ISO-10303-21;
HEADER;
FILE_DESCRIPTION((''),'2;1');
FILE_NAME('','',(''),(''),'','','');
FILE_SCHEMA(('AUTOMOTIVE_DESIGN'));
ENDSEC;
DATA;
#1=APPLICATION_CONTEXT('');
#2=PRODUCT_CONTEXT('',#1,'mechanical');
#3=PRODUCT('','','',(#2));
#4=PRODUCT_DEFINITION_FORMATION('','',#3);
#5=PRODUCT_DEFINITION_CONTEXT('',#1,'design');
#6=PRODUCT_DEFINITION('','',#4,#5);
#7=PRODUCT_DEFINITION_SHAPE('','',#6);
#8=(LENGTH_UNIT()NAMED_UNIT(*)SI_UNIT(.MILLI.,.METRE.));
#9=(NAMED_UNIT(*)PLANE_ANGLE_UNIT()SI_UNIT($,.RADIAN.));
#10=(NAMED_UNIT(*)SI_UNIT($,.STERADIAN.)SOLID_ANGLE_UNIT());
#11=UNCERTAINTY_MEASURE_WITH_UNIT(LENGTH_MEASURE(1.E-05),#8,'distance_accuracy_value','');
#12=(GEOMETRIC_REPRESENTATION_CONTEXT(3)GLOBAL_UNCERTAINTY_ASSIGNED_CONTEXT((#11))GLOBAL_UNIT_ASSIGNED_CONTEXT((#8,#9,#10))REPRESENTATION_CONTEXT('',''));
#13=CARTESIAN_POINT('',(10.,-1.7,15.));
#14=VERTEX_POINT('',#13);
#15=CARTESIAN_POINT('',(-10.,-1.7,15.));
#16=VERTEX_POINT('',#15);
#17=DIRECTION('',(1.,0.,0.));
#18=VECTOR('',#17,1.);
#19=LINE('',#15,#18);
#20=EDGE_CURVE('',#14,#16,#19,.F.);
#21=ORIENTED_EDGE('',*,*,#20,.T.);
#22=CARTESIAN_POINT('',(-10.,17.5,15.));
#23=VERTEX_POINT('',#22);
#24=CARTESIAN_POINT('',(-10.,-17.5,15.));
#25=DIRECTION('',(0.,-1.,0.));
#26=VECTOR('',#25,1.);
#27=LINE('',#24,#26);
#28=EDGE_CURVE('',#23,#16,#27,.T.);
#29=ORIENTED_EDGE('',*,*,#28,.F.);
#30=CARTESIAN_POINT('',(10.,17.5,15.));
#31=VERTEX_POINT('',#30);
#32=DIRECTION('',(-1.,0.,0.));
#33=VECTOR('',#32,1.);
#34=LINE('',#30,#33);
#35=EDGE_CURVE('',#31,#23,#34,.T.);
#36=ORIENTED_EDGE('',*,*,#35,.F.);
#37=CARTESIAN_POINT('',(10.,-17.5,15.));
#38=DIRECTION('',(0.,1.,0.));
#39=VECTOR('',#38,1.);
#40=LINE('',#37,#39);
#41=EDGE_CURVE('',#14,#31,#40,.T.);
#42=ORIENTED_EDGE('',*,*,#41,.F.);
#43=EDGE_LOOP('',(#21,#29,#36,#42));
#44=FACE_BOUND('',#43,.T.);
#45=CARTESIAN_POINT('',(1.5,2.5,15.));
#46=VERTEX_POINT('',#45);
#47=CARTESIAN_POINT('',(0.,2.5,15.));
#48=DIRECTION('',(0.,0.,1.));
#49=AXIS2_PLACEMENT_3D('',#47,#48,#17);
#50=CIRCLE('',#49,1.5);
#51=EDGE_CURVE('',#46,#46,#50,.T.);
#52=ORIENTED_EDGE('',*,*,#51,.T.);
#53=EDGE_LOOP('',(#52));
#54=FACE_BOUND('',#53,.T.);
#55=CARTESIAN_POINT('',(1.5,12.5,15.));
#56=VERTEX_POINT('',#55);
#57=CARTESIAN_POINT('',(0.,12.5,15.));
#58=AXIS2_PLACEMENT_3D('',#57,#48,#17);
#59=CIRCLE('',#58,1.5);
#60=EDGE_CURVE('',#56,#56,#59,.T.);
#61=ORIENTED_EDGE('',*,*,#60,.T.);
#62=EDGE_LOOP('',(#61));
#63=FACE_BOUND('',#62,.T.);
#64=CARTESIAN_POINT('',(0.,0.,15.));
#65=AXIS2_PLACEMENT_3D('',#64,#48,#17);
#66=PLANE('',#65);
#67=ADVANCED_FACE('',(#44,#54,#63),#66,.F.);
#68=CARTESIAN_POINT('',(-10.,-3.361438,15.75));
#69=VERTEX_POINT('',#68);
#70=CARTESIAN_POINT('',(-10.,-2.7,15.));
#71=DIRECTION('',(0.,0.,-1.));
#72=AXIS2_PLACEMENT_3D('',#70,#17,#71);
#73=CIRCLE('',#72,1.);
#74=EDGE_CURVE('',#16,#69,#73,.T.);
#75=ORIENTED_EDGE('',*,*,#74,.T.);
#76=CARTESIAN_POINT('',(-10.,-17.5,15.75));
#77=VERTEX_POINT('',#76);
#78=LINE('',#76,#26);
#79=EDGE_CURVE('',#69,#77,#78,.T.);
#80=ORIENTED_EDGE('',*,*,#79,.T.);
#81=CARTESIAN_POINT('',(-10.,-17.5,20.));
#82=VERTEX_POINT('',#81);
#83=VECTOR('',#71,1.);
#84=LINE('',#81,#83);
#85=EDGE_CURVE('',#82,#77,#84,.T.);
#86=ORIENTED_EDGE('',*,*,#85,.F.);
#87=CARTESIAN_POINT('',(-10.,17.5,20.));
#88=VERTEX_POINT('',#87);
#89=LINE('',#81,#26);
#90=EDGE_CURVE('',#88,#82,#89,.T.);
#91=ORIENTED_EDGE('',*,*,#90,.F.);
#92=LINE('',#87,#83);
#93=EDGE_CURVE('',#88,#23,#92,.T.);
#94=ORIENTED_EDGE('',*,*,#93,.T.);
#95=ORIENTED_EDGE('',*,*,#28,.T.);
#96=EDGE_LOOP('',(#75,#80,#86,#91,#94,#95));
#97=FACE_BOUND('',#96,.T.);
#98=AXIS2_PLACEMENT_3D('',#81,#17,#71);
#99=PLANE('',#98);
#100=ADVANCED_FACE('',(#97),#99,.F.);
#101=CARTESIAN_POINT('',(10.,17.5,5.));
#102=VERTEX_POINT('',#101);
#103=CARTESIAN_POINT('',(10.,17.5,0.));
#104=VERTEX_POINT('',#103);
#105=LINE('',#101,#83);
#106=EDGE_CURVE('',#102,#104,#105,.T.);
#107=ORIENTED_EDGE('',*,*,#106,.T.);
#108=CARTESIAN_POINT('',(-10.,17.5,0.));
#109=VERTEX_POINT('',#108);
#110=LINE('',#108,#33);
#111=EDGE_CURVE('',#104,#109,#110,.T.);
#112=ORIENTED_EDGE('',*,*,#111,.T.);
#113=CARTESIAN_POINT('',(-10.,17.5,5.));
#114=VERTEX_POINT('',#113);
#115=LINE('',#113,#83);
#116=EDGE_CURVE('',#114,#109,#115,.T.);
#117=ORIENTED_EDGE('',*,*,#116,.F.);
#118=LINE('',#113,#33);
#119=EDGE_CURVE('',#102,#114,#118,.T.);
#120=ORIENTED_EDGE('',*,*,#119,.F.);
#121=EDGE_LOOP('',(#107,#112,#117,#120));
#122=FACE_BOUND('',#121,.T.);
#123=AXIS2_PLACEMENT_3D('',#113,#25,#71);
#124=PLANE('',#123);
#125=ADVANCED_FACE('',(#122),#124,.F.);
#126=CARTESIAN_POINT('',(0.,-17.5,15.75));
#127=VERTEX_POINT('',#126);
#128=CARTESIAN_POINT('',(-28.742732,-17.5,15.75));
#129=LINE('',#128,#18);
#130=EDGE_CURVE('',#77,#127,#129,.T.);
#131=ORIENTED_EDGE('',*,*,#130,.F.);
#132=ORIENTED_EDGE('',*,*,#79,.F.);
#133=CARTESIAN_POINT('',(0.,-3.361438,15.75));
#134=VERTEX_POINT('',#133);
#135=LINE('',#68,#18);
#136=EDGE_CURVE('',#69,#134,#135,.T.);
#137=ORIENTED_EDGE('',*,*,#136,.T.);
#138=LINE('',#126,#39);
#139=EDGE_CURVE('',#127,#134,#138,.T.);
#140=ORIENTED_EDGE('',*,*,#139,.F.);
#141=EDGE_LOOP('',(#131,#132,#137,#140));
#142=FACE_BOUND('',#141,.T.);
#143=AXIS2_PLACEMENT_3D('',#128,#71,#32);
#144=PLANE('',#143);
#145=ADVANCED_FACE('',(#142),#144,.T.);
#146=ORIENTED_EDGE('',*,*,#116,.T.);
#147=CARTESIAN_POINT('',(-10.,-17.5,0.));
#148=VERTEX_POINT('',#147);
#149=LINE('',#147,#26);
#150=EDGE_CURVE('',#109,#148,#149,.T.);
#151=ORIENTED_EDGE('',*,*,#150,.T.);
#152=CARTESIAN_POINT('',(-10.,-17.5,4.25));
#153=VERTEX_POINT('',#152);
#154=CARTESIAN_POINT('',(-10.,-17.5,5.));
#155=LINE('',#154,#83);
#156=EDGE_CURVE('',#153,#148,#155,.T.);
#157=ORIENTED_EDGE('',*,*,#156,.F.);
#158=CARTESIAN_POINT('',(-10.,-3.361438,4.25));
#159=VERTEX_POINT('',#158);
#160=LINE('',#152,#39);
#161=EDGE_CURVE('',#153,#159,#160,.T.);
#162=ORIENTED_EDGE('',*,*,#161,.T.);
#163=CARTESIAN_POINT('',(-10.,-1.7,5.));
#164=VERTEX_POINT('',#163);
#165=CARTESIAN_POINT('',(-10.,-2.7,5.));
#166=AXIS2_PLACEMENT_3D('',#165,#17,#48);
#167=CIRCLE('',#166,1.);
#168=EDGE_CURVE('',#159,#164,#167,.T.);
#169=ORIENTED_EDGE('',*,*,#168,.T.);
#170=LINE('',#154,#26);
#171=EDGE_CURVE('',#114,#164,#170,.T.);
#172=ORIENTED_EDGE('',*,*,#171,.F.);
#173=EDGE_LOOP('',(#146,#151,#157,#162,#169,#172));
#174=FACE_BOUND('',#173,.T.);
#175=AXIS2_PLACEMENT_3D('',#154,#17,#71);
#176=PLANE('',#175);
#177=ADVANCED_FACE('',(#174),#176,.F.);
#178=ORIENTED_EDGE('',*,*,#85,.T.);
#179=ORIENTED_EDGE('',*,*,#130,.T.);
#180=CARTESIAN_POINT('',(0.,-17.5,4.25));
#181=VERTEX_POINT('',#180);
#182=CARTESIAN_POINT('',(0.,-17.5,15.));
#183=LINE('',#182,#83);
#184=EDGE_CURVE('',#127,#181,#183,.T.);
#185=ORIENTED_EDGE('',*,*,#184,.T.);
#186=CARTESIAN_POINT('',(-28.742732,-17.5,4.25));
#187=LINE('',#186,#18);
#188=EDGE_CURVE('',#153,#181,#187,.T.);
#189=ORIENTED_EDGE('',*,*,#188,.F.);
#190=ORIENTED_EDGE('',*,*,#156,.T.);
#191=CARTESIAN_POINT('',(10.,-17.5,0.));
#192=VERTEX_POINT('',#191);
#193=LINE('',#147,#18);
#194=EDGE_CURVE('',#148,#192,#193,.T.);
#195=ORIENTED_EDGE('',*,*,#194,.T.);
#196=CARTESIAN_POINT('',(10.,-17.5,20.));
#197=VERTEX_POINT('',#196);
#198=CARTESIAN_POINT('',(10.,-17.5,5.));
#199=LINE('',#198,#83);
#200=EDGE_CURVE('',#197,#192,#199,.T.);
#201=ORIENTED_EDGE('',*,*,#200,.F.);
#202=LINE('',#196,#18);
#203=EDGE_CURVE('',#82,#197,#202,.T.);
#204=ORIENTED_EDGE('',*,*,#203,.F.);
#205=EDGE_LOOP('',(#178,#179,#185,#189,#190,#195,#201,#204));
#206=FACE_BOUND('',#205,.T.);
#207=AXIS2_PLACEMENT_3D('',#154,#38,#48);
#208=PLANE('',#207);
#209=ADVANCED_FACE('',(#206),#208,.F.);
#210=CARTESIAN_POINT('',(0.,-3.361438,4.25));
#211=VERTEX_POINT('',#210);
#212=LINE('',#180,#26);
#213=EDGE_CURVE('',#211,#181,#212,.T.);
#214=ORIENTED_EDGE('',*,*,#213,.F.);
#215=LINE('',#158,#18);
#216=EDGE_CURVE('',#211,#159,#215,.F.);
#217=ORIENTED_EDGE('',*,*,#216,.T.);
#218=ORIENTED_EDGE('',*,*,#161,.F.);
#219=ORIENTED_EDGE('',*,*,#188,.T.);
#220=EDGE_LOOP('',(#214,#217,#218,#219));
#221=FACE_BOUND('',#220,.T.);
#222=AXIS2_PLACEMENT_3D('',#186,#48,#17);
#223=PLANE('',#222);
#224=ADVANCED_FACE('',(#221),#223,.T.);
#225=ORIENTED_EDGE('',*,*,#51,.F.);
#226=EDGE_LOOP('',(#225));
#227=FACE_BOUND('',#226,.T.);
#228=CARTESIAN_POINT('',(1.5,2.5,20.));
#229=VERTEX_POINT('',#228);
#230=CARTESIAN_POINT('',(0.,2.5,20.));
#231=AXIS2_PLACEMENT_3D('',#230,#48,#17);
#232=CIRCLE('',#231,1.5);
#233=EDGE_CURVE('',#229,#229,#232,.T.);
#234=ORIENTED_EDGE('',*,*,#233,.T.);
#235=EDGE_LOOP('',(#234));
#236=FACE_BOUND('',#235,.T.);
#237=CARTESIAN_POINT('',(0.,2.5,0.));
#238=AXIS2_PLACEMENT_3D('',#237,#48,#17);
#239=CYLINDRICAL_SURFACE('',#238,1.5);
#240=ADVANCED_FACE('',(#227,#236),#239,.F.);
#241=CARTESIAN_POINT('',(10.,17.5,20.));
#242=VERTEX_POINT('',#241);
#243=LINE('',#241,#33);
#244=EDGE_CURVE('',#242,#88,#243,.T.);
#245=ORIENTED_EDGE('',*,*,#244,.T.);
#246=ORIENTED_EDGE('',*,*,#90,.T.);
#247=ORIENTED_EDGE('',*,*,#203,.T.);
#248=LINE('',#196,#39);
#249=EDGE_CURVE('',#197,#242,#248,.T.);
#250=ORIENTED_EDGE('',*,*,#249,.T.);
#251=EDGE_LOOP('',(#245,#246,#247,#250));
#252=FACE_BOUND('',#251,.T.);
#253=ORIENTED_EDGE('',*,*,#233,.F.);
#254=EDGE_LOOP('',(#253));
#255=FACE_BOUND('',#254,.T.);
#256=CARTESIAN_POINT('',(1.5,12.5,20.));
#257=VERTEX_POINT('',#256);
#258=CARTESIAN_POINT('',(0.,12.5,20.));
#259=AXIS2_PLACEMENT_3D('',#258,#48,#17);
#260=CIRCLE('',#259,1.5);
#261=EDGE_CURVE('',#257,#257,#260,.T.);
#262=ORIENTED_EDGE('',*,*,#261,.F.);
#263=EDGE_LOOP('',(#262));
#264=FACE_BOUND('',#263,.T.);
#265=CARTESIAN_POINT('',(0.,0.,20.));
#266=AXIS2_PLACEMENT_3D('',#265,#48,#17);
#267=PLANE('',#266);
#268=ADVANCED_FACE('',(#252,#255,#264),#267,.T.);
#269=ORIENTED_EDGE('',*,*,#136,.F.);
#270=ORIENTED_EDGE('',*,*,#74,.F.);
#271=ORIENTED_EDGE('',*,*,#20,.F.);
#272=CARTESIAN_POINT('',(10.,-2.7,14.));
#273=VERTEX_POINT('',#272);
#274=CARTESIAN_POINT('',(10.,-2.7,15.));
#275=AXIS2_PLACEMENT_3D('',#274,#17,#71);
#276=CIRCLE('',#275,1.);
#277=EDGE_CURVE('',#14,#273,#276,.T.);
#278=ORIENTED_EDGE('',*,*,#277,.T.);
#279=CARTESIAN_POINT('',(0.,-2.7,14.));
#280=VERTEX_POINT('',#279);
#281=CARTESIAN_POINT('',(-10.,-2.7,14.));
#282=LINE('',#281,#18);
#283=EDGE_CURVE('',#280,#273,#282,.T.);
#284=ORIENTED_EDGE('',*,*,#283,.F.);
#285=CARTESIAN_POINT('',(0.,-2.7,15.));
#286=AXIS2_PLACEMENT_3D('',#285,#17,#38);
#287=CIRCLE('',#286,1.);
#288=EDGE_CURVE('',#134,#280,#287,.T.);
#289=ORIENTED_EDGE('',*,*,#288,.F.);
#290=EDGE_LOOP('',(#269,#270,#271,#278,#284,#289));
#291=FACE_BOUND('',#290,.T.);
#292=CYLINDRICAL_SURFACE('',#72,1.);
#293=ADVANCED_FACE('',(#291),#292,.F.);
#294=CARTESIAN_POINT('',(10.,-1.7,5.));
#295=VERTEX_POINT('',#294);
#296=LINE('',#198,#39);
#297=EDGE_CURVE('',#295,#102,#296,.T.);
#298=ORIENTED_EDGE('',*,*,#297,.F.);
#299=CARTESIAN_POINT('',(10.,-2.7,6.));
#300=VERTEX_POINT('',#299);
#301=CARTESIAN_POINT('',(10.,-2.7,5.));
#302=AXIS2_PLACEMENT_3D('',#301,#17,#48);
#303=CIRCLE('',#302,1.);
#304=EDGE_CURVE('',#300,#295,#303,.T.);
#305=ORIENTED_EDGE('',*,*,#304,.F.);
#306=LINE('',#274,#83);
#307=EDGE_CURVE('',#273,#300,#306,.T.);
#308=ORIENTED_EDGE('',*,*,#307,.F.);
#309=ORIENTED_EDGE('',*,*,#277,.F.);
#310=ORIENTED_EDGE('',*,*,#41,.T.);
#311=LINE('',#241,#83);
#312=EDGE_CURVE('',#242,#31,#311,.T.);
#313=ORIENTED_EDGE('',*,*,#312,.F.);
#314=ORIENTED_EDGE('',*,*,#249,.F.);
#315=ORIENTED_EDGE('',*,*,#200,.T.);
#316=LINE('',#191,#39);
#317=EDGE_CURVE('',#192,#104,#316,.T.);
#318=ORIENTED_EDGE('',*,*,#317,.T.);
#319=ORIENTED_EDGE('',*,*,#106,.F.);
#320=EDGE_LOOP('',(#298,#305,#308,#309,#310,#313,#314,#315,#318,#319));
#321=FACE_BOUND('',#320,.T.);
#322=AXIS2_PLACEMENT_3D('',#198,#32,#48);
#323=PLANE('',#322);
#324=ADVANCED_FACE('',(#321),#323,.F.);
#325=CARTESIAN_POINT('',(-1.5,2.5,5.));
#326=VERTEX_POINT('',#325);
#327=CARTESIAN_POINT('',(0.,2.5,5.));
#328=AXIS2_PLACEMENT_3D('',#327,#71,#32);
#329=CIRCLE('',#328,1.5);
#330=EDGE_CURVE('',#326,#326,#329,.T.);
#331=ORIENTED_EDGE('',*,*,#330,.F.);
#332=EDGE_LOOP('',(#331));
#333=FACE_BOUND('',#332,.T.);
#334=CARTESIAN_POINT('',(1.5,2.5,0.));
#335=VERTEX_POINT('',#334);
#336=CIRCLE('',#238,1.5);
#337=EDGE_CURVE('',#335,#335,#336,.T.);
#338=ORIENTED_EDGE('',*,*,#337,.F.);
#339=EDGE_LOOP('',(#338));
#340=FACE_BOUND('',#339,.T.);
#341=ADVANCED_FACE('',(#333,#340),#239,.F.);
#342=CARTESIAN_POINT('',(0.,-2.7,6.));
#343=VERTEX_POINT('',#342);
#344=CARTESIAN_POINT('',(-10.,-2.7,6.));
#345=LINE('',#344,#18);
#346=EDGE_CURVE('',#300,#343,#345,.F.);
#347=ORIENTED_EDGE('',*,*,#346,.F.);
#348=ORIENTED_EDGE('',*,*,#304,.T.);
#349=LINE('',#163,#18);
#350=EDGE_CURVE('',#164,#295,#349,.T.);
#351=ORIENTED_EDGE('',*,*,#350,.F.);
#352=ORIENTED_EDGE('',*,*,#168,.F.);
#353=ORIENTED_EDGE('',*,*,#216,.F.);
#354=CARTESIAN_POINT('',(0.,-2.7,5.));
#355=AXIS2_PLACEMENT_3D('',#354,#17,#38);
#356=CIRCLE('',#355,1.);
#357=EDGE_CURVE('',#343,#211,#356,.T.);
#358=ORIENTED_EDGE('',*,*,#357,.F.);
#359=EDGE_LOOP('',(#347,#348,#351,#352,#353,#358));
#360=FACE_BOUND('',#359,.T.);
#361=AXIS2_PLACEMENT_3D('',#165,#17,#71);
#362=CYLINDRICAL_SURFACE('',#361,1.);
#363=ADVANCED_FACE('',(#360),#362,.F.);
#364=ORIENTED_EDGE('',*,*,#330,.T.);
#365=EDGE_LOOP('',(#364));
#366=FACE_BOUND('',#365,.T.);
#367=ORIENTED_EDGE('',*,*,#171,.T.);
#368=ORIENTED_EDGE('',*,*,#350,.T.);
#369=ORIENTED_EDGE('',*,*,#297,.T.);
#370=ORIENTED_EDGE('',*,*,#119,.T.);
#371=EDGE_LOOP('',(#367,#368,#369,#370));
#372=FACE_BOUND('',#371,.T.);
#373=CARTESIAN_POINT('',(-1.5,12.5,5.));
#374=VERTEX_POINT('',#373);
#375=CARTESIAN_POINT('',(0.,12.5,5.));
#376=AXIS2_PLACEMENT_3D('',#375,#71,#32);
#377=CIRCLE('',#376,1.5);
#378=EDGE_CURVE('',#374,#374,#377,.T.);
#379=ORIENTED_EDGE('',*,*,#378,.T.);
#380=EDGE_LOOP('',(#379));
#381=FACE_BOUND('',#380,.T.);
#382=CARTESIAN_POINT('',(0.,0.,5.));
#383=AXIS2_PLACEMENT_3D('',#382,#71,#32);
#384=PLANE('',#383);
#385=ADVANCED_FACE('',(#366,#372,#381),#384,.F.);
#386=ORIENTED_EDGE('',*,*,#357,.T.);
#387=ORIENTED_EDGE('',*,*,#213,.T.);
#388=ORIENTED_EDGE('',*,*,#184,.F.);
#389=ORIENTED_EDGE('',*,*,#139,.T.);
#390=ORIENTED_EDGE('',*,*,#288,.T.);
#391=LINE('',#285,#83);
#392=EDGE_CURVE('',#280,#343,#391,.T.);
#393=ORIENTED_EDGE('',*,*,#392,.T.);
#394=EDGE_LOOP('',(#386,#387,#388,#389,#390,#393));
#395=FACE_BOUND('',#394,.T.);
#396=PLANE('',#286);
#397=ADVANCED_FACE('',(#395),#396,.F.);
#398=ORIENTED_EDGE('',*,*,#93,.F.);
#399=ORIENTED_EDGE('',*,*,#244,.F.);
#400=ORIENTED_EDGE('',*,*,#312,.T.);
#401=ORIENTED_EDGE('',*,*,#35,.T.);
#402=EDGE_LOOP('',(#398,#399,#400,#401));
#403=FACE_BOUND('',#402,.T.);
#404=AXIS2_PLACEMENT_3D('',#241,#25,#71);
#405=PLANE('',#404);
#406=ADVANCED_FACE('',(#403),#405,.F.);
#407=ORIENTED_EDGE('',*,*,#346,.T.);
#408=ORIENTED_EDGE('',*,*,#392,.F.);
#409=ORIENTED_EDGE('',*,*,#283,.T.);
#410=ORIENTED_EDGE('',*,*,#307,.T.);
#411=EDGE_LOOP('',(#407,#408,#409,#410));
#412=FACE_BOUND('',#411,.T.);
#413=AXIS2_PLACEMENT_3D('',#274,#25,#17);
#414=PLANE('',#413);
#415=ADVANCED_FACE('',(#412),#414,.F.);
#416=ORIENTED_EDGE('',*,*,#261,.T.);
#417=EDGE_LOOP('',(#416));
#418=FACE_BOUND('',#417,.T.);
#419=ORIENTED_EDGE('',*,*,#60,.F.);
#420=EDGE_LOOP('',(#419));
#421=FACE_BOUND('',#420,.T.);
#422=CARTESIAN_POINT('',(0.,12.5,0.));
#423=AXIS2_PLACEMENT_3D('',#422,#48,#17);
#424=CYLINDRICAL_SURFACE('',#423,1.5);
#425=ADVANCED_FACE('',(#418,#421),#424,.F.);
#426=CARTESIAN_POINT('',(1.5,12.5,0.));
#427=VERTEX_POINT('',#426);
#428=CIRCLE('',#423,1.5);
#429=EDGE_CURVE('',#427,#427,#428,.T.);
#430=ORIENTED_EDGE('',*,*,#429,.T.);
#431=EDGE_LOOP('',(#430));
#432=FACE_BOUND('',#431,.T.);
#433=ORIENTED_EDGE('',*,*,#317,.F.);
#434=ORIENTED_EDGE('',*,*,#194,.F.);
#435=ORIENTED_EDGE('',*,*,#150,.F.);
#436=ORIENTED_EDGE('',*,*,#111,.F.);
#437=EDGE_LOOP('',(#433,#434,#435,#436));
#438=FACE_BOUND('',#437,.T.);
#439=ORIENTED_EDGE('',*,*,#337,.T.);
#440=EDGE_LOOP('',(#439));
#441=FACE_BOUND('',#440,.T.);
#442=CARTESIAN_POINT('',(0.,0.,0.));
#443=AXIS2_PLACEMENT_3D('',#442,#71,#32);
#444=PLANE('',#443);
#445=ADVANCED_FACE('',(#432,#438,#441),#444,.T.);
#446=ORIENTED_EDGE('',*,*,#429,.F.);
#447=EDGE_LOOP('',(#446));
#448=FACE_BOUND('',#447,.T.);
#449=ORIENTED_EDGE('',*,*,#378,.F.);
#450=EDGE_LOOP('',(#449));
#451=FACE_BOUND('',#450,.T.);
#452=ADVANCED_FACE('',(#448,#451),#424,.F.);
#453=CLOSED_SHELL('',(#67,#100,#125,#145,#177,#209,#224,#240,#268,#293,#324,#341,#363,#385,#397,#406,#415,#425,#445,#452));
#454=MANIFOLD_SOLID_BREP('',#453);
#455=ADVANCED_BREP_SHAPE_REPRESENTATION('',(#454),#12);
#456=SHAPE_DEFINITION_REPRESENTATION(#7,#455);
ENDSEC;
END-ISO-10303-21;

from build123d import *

# Parameters (mm, degrees)
SKETCH_1_W          = 20
SKETCH_1_H          = 35
EXTRUDE_1_DEPTH     = 5
SKETCH_2_W          = 10
SKETCH_2_H          = 14.8
EXTRUDE_2_DEPTH     = 10
SKETCH_3_W          = 20
SKETCH_3_H          = 35
EXTRUDE_3_DEPTH     = 5
SKETCH_4_R          = 1
CUT_EXTRUDE_1_DEPTH = 34.260336739
SKETCH_5_R          = 1.5
CUT_EXTRUDE_2_DEPTH = 29.394541729
SKETCH_6_W          = 11.5
SKETCH_6_H          = 14.8
CUT_EXTRUDE_3_DEPTH = 10


with BuildPart() as part:
    # ｽｹｯﾁ1 → ﾎﾞｽ - 押し出し1 (new body)
    with BuildSketch(Plane.XY):
        Rectangle(SKETCH_1_W, SKETCH_1_H)
    extrude(amount=EXTRUDE_1_DEPTH)

    # ｽｹｯﾁ2 → ﾎﾞｽ - 押し出し2 (add)
    with BuildSketch(Plane.XY.offset(5)):
        with Locations((5, -10.1)):
            Rectangle(SKETCH_2_W, SKETCH_2_H)
    extrude(amount=EXTRUDE_2_DEPTH)

    # ｽｹｯﾁ3 → ﾎﾞｽ - 押し出し3 (add)
    with BuildSketch(Plane.XY.offset(15)):
        Rectangle(SKETCH_3_W, SKETCH_3_H)
    extrude(amount=EXTRUDE_3_DEPTH)

    # ｽｹｯﾁ4 → ｶｯﾄ - 押し出し1 (cut, through all)
    with BuildSketch(Plane(origin=(10, 0, 0), x_dir=(0, 0, -1), z_dir=(1, 0, 0))):
        with Locations((-15, -2.7)):
            Circle(SKETCH_4_R)
        with Locations((-5, -2.7)):
            Circle(SKETCH_4_R)
    extrude(amount=-CUT_EXTRUDE_1_DEPTH, mode=Mode.SUBTRACT)

    # ｽｹｯﾁ5 → ｶｯﾄ - 押し出し2 (cut, through all)
    with BuildSketch(Plane.XY.offset(20)):
        with Locations((0, 12.5)):
            Circle(SKETCH_5_R)
        with Locations((0, 2.5)):
            Circle(SKETCH_5_R)
    extrude(amount=-CUT_EXTRUDE_2_DEPTH, mode=Mode.SUBTRACT)

    # ｽｹｯﾁ6 → ｶｯﾄ - 押し出し3 (cut)
    with BuildSketch(Plane.ZY):
        with Locations((10, -10.1)):
            Rectangle(SKETCH_6_W, SKETCH_6_H)
    extrude(amount=CUT_EXTRUDE_3_DEPTH, mode=Mode.SUBTRACT)


solid = part.part
